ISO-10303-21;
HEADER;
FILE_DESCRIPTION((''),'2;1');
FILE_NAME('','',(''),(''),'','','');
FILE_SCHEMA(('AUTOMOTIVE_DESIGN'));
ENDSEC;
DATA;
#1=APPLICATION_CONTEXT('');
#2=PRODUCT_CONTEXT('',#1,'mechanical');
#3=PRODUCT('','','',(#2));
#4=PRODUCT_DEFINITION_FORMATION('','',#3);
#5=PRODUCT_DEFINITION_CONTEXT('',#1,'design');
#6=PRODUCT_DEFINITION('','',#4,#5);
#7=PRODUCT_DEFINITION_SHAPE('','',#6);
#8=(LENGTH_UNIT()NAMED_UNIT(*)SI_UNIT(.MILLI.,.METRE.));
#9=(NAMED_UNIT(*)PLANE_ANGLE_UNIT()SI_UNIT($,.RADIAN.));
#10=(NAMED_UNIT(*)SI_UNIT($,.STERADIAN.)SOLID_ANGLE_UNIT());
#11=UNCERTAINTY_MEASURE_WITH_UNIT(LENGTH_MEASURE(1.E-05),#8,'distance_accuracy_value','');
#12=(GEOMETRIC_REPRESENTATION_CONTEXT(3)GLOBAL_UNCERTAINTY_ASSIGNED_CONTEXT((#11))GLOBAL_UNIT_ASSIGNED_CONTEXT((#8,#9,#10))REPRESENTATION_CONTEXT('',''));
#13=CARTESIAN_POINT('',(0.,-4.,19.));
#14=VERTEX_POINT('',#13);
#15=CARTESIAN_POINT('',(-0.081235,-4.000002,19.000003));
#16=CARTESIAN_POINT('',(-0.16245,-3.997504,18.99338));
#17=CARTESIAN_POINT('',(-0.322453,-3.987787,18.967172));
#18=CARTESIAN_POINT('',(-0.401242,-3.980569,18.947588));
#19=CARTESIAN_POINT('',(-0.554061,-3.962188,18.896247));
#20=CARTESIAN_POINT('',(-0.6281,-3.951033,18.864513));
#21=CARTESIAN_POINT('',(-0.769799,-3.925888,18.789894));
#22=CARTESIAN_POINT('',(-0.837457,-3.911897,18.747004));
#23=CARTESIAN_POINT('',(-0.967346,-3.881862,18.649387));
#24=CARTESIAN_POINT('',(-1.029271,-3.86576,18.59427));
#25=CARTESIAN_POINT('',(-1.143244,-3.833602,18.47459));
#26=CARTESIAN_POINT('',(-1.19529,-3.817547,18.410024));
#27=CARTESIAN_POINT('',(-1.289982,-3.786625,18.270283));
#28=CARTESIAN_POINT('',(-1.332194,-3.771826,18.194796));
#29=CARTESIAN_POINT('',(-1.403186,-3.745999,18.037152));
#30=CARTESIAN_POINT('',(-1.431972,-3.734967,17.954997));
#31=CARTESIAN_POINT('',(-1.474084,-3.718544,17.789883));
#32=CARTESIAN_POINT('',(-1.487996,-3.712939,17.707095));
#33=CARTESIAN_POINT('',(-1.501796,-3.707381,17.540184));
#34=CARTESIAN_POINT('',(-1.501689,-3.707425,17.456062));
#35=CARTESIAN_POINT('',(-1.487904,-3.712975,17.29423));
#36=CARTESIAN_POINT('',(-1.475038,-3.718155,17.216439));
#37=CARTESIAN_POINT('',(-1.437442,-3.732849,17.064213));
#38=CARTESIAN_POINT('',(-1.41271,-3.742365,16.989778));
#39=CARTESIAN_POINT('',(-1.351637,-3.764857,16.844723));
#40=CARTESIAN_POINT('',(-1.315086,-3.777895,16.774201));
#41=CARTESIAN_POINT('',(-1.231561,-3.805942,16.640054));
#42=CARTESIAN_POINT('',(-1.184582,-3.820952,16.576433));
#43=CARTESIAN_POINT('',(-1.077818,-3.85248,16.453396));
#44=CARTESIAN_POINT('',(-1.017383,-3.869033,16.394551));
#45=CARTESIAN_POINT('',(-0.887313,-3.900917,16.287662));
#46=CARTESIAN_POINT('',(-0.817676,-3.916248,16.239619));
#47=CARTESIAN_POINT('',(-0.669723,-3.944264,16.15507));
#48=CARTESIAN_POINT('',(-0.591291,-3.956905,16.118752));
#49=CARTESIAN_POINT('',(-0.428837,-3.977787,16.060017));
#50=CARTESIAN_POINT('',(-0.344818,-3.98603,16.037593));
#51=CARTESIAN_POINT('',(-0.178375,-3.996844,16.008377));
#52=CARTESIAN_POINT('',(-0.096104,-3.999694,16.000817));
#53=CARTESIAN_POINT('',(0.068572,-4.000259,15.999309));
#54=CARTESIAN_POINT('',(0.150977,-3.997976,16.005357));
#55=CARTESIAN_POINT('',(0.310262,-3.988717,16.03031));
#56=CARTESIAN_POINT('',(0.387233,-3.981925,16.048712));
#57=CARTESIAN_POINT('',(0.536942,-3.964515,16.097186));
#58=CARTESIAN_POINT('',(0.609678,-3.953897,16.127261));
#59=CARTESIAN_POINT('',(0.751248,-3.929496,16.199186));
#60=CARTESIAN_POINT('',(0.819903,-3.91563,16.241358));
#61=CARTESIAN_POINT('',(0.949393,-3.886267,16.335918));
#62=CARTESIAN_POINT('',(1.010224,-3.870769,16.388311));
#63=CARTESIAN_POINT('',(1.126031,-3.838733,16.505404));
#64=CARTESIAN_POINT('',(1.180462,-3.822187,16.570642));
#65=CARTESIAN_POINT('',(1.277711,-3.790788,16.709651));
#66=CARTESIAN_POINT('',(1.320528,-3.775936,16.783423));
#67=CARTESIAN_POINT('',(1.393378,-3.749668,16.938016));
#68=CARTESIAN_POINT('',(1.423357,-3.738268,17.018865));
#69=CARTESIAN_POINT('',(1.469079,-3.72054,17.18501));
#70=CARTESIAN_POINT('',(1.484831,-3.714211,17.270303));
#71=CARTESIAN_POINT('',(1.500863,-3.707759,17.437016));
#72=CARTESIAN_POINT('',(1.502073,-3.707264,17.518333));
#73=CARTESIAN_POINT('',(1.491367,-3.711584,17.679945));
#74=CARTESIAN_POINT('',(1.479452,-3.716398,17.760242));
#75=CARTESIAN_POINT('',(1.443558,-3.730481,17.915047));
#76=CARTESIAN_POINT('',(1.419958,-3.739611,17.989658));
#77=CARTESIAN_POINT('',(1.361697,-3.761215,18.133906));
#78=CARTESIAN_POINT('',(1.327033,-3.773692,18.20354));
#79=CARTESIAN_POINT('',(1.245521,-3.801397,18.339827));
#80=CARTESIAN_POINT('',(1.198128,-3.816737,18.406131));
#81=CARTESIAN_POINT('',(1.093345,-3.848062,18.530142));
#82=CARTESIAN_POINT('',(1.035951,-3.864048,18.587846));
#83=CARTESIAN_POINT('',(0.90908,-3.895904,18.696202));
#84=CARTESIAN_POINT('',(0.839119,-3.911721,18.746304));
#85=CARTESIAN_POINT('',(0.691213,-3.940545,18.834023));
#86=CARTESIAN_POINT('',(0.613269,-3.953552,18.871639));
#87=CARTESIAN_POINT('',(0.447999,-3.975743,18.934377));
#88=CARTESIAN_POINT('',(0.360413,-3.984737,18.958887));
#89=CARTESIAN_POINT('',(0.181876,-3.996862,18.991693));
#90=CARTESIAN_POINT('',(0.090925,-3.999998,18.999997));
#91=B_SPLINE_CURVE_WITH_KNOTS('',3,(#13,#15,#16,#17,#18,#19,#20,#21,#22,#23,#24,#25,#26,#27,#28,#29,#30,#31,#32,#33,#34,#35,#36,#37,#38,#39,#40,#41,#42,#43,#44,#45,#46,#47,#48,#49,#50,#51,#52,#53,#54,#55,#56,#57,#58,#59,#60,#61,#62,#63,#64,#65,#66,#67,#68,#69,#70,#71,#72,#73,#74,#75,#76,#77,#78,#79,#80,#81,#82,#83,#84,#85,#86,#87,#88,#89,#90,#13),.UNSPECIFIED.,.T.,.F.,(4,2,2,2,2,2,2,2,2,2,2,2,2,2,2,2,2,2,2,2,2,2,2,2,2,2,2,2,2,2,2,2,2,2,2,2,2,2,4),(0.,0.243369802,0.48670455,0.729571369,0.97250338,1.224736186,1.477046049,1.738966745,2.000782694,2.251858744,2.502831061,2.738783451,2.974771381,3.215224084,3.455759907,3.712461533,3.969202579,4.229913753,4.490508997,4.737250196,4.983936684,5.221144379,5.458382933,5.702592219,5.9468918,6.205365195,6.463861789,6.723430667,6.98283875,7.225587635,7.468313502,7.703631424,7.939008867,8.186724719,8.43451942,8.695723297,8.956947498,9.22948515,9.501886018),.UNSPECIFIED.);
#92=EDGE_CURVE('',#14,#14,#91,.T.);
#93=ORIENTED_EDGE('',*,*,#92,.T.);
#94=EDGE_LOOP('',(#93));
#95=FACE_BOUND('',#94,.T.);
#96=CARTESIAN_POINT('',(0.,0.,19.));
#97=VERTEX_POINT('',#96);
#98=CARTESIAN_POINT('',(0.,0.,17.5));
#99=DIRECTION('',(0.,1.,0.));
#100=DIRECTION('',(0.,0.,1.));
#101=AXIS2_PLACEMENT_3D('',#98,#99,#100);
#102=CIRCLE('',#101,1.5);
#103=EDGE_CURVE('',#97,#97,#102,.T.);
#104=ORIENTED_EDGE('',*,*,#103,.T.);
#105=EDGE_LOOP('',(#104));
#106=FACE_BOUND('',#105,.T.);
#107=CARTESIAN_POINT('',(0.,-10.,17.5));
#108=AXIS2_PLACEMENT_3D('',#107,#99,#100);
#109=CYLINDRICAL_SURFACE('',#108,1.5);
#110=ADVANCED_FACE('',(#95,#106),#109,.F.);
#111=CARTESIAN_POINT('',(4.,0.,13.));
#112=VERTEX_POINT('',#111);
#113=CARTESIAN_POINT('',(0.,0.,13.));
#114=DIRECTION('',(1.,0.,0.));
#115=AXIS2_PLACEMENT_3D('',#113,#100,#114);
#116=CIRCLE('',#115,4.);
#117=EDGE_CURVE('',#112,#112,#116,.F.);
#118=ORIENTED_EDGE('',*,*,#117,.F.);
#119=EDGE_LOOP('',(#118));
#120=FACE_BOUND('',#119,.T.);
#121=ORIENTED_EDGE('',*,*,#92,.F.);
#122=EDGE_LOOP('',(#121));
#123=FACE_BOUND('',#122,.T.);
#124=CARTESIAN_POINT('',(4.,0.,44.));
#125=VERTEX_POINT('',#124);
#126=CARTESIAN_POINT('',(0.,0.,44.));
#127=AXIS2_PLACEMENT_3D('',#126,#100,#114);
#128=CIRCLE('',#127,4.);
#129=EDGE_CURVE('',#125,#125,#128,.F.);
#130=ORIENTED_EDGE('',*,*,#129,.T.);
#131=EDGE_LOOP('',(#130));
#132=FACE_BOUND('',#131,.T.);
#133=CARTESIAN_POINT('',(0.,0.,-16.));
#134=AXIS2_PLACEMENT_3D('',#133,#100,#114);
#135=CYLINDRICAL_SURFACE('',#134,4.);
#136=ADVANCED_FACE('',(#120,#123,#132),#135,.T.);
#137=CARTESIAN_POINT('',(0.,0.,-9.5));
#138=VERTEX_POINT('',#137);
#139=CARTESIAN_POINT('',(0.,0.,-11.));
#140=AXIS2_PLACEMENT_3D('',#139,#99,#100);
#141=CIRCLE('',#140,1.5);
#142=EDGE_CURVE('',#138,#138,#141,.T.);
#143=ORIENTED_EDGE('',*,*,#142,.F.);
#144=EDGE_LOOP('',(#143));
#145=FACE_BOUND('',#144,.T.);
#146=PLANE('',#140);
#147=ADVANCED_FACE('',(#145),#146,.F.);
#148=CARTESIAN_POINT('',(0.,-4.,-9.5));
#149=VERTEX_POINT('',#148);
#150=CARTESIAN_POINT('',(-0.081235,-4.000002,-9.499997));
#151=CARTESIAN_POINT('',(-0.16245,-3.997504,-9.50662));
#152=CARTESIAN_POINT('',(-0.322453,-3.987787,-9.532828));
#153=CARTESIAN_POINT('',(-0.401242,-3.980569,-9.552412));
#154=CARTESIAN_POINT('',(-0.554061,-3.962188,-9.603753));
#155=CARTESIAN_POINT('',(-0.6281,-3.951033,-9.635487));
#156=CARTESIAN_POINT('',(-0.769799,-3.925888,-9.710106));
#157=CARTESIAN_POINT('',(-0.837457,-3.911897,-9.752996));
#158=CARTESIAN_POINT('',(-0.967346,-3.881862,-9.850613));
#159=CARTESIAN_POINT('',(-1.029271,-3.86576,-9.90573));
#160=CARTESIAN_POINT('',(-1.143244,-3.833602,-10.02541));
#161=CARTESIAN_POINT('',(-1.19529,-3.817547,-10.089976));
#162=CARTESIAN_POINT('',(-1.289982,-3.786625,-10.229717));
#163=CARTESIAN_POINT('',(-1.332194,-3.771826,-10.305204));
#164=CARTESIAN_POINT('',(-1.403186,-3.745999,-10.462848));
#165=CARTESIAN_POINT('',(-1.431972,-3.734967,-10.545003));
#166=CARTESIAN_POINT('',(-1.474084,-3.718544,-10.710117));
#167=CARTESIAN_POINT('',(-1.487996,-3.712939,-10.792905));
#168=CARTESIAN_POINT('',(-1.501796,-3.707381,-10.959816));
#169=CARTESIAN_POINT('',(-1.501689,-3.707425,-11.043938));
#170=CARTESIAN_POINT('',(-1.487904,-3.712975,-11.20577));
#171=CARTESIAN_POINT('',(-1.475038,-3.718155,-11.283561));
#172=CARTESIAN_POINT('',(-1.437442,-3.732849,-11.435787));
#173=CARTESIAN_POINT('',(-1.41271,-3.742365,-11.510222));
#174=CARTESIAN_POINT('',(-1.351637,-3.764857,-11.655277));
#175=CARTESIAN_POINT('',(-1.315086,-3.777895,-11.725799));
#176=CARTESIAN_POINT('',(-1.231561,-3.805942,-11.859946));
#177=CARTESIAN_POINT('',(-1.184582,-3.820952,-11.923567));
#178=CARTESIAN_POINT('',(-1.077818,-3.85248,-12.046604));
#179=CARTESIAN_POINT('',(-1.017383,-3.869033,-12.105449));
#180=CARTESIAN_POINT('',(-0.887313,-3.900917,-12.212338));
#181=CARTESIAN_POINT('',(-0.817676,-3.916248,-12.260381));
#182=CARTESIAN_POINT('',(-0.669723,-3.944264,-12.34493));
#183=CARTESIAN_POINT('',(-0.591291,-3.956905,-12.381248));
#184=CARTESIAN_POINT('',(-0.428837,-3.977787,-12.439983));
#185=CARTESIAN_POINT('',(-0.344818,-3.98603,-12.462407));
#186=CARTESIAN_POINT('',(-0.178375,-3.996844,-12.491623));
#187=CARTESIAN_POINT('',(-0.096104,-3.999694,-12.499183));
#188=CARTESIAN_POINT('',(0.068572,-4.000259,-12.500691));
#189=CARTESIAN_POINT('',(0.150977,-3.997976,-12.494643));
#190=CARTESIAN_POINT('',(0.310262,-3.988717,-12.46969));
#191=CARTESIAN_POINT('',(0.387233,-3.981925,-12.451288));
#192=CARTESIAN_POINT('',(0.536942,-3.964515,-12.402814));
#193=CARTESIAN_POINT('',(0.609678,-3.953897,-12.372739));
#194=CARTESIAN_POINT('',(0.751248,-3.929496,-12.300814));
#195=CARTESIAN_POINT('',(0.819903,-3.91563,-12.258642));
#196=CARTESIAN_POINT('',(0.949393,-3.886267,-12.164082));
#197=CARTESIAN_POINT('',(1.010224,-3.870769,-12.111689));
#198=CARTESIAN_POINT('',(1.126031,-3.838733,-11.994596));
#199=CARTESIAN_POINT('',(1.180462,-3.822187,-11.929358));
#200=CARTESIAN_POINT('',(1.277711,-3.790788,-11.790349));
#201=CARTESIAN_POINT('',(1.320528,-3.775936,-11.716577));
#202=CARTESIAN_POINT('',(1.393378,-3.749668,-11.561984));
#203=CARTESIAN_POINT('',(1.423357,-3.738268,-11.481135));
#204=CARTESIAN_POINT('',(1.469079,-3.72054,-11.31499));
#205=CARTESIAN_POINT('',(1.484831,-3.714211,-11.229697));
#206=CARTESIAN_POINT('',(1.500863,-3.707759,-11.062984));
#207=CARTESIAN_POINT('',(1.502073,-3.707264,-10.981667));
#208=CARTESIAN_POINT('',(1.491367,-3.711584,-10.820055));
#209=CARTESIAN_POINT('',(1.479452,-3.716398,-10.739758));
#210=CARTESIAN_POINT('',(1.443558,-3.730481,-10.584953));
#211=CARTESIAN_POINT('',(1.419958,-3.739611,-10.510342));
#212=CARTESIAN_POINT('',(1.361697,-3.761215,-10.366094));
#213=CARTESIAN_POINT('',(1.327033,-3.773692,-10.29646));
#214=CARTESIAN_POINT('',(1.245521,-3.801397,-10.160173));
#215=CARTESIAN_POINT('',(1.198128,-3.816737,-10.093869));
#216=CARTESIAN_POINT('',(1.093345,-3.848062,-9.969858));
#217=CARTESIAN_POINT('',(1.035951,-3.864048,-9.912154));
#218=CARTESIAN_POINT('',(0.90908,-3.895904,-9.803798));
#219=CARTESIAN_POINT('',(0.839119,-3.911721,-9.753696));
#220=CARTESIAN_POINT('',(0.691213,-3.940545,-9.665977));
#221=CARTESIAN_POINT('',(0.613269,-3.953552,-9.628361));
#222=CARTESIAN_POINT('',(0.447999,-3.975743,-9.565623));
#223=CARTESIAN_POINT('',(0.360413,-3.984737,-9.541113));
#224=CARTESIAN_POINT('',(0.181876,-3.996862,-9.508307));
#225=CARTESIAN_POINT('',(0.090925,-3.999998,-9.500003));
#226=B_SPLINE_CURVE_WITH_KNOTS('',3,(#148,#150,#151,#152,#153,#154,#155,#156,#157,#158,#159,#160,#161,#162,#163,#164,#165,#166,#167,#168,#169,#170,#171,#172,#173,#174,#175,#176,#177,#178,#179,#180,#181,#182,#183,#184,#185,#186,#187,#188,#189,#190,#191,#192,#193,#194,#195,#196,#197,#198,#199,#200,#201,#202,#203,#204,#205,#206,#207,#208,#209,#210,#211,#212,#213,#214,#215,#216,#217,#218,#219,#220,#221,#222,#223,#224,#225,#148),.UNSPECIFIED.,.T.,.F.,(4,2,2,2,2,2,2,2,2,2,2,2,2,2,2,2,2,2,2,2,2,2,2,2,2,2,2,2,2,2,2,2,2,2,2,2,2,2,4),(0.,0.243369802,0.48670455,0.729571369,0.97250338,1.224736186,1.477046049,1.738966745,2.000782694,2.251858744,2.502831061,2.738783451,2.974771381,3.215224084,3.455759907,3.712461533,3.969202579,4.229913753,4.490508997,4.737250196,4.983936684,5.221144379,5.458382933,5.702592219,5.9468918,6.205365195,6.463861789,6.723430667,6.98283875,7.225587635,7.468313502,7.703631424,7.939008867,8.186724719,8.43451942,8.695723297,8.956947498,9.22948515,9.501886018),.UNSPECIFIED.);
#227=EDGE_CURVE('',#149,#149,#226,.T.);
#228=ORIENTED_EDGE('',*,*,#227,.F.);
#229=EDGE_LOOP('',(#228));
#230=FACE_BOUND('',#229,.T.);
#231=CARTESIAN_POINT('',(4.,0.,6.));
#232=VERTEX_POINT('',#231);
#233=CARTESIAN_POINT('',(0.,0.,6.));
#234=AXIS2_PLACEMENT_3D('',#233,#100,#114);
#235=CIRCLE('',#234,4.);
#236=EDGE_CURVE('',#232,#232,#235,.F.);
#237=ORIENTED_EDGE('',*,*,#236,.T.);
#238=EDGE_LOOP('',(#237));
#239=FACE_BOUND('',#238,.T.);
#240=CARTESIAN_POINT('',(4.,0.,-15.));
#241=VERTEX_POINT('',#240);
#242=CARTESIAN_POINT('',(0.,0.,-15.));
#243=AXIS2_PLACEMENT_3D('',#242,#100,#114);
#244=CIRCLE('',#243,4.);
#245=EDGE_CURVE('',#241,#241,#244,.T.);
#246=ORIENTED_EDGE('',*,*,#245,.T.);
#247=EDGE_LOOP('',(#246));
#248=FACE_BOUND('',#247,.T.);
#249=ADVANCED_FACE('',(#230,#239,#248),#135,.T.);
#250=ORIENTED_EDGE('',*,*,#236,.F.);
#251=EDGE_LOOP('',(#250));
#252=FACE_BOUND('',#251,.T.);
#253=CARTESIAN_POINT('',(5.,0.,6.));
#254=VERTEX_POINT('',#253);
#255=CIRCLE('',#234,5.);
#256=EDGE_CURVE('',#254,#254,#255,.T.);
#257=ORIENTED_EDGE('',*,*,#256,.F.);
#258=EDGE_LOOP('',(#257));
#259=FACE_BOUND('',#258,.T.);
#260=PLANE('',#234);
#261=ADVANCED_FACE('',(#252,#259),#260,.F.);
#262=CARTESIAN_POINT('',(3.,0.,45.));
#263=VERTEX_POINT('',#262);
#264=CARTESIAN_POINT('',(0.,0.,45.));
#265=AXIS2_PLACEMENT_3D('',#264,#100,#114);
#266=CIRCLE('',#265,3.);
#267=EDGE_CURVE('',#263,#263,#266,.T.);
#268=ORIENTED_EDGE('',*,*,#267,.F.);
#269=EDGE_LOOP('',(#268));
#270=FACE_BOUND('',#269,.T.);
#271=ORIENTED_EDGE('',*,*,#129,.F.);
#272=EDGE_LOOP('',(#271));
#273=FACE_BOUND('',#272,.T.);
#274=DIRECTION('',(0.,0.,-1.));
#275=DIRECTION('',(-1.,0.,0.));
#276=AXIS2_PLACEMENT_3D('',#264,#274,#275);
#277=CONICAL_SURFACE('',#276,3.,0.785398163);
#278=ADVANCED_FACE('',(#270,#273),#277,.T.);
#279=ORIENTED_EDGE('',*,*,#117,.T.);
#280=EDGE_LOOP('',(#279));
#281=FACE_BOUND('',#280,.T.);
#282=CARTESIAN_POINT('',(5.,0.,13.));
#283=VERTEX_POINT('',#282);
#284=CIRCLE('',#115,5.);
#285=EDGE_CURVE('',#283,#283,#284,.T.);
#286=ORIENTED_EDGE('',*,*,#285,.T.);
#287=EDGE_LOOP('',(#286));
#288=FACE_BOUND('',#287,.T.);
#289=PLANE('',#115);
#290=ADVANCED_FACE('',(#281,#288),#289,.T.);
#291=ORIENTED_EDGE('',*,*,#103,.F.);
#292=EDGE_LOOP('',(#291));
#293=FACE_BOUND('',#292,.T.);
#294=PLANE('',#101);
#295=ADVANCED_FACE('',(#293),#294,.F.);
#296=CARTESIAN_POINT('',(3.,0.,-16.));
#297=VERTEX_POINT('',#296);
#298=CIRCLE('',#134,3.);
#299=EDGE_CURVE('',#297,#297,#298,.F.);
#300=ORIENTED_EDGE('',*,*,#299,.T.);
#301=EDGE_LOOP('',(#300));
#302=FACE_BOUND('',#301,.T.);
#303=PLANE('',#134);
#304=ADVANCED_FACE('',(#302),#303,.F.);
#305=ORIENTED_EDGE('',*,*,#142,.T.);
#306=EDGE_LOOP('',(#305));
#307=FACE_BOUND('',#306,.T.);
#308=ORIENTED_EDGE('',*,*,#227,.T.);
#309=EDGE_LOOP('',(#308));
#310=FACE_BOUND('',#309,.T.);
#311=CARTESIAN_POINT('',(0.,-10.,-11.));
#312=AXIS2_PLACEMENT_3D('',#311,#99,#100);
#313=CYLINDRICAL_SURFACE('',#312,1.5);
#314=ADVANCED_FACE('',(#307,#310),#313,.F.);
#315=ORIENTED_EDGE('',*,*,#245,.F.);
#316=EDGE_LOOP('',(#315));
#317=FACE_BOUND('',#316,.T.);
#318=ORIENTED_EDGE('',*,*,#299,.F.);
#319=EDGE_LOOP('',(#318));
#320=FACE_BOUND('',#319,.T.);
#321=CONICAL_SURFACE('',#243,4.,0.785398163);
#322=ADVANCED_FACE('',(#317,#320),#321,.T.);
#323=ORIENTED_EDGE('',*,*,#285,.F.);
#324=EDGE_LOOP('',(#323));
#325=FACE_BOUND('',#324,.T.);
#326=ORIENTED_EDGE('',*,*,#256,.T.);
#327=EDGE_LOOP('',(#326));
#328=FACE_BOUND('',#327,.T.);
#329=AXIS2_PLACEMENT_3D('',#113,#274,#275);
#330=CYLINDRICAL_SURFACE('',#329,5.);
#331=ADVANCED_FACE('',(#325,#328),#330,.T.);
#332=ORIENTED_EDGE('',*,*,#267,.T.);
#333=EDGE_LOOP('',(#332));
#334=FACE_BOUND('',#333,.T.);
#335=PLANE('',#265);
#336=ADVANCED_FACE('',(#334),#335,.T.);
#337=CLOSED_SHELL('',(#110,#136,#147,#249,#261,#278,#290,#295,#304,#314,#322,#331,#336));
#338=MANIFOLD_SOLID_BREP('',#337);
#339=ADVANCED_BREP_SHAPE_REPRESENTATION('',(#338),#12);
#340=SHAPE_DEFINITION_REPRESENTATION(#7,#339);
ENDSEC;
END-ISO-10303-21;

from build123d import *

# Parameters (mm, degrees)
EXTRUDE_1_DEPTH      = 45
EXTRUDE_1_DEPTH_BACK = 16
SKETCH_1_R           = 4
SKETCH_3_R           = 1.5
CUT_EXTRUDE_1_DEPTH  = 10
CHAMFER_1_SIZE       = 1
EXTRUDE_START        = -39
SKETCH_5_R           = 5
EXTRUDE_3_DEPTH      = 7
SKETCH_8_R           = 1.5
CUT_EXTRUDE_2_DEPTH  = 10
CHAMFER_2_SIZE       = 1


with BuildPart() as part:
    # 草图1 → 凸台-拉伸1 (new, two sides: drawn at the far end of the back side and taken through both)
    with BuildSketch(Plane.XY.offset(-EXTRUDE_1_DEPTH_BACK)):
        Circle(SKETCH_1_R)
    extrude(amount=EXTRUDE_1_DEPTH + EXTRUDE_1_DEPTH_BACK)

    # 草图3 → 切除-拉伸1 (cut)
    with BuildSketch(Plane(origin=(0, 0, 0), x_dir=(1, 0, 0), z_dir=(0, 1, 0))):
        with Locations((0, -17.5)):
            Circle(SKETCH_3_R)
    extrude(amount=-CUT_EXTRUDE_1_DEPTH, mode=Mode.SUBTRACT)

    # 倒角1
    chamfer_1_edges = [part.edges().sort_by_distance(p)[0] for p in [
        (-4, 0, 45),
    ]]
    chamfer(chamfer_1_edges, length=CHAMFER_1_SIZE)

    # 草图5 → 凸台-拉伸3 (add)
    with BuildSketch(Plane.XY.offset(45).offset(EXTRUDE_START)):
        Circle(SKETCH_5_R)
    extrude(amount=EXTRUDE_3_DEPTH)

    # 草图8 → 切除-拉伸2 (cut)
    with BuildSketch(Plane(origin=(0, 0, 0), x_dir=(1, 0, 0), z_dir=(0, 1, 0))):
        with Locations((0, 11)):
            Circle(SKETCH_8_R)
    extrude(amount=-CUT_EXTRUDE_2_DEPTH, mode=Mode.SUBTRACT)

    # 倒角2
    chamfer_2_edges = [part.edges().sort_by_distance(p)[0] for p in [
        (-4, 0, -16),
    ]]
    chamfer(chamfer_2_edges, length=CHAMFER_2_SIZE)


solid = part.part
